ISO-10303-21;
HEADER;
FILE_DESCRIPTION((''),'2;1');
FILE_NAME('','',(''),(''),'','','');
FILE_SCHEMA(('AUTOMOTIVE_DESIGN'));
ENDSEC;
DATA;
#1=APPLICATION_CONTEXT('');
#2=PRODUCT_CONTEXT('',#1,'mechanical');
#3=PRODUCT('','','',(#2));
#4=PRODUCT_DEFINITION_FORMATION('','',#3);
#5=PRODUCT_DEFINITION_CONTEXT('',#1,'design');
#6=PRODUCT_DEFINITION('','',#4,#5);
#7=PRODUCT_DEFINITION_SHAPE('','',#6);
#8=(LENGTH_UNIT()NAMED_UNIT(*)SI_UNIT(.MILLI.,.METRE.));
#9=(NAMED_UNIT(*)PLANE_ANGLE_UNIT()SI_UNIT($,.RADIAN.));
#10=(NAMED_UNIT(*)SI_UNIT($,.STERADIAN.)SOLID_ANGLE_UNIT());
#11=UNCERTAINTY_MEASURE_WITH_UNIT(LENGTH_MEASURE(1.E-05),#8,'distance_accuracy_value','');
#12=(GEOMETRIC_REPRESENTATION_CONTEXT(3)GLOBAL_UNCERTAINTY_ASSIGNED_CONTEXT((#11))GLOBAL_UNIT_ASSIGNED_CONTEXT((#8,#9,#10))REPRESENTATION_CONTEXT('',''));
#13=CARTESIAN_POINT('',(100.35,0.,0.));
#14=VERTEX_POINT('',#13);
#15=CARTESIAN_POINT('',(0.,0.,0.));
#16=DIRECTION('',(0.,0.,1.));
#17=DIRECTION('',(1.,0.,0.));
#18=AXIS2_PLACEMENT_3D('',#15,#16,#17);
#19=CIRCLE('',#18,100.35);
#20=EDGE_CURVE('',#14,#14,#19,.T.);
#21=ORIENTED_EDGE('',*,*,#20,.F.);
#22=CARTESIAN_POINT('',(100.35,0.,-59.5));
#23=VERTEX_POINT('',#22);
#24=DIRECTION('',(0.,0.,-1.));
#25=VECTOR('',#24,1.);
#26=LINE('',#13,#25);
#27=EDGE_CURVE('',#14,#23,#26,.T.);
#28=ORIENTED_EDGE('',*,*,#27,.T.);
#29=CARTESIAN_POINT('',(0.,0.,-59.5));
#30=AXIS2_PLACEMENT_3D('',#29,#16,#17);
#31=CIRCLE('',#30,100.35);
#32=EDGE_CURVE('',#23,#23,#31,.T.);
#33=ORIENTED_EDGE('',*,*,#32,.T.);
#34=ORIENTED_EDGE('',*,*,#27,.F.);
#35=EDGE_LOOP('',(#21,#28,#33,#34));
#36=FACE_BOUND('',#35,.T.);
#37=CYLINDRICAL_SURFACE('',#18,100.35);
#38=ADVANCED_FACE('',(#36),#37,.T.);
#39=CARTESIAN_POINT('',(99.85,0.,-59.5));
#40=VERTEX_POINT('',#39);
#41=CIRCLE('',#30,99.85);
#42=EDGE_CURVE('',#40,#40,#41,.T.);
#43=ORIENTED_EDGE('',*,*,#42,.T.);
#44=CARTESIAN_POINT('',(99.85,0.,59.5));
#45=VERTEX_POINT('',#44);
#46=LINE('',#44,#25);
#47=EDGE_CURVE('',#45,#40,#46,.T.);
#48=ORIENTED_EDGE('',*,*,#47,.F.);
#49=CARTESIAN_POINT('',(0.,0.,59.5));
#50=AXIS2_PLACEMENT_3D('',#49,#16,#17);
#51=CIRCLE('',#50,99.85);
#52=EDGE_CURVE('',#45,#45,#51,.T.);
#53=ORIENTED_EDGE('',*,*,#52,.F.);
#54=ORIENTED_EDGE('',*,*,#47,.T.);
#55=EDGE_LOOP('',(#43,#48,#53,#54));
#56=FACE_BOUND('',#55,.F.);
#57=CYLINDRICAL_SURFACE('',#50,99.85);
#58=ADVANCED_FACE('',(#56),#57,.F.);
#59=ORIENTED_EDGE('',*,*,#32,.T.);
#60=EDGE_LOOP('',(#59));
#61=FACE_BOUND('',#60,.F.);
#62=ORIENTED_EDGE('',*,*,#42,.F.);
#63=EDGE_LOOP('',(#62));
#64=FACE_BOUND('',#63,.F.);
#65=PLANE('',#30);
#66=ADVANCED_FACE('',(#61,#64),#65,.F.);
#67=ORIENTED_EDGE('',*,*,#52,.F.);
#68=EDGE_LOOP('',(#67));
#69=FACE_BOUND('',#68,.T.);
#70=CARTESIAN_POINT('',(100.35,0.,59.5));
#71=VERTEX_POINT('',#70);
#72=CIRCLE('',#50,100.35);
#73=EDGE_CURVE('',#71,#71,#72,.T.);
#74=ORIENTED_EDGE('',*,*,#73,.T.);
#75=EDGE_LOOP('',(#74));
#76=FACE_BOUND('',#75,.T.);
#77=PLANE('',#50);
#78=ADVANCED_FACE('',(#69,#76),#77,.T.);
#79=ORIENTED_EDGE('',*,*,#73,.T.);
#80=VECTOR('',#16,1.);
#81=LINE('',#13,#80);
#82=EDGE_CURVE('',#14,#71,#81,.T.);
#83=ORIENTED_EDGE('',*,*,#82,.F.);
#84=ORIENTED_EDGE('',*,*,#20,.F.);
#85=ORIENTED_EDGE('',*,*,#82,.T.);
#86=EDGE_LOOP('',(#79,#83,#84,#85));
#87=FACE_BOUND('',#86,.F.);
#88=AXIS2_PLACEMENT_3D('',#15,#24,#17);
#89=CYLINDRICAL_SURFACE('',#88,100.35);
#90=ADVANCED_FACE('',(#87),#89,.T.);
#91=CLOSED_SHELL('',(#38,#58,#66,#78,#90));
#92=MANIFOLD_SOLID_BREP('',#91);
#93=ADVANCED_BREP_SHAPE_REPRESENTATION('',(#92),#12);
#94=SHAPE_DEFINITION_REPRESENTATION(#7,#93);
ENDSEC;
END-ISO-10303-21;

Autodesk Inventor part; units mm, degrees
ref_plane "YZ Plane" through (0, 0, 0) normal (1, 0, 0) x (0, 1, 0)
ref_plane "XZ Plane" through (0, 0, 0) normal (0, 1, 0) x (-1, 0, 0)
ref_plane "XY Plane" through (0, 0, 0) normal (0, 0, 1) x (1, 0, 0)
sketch "Sketch1" plane through (0, 0, 0) normal (0, 0, 1) x (1, 0, 0)
  circle A0 centre (0, 0) radius 100.35
  dimension "d0" = 200.7
extrude "Extrusion1" add sketch "Sketch1" along normal mid plane 119
sketch "Sketch2" plane through (0, 0, 59.5) normal (0, 0, 1) x (1, 0, 0)
  circle A0 centre (0, 0) radius 99.85
  dimension "d3" = 199.7
extrude "Extrusion2" cut sketch "Sketch2" against normal through all
properties part number "ALPHA-II-CT_9"
